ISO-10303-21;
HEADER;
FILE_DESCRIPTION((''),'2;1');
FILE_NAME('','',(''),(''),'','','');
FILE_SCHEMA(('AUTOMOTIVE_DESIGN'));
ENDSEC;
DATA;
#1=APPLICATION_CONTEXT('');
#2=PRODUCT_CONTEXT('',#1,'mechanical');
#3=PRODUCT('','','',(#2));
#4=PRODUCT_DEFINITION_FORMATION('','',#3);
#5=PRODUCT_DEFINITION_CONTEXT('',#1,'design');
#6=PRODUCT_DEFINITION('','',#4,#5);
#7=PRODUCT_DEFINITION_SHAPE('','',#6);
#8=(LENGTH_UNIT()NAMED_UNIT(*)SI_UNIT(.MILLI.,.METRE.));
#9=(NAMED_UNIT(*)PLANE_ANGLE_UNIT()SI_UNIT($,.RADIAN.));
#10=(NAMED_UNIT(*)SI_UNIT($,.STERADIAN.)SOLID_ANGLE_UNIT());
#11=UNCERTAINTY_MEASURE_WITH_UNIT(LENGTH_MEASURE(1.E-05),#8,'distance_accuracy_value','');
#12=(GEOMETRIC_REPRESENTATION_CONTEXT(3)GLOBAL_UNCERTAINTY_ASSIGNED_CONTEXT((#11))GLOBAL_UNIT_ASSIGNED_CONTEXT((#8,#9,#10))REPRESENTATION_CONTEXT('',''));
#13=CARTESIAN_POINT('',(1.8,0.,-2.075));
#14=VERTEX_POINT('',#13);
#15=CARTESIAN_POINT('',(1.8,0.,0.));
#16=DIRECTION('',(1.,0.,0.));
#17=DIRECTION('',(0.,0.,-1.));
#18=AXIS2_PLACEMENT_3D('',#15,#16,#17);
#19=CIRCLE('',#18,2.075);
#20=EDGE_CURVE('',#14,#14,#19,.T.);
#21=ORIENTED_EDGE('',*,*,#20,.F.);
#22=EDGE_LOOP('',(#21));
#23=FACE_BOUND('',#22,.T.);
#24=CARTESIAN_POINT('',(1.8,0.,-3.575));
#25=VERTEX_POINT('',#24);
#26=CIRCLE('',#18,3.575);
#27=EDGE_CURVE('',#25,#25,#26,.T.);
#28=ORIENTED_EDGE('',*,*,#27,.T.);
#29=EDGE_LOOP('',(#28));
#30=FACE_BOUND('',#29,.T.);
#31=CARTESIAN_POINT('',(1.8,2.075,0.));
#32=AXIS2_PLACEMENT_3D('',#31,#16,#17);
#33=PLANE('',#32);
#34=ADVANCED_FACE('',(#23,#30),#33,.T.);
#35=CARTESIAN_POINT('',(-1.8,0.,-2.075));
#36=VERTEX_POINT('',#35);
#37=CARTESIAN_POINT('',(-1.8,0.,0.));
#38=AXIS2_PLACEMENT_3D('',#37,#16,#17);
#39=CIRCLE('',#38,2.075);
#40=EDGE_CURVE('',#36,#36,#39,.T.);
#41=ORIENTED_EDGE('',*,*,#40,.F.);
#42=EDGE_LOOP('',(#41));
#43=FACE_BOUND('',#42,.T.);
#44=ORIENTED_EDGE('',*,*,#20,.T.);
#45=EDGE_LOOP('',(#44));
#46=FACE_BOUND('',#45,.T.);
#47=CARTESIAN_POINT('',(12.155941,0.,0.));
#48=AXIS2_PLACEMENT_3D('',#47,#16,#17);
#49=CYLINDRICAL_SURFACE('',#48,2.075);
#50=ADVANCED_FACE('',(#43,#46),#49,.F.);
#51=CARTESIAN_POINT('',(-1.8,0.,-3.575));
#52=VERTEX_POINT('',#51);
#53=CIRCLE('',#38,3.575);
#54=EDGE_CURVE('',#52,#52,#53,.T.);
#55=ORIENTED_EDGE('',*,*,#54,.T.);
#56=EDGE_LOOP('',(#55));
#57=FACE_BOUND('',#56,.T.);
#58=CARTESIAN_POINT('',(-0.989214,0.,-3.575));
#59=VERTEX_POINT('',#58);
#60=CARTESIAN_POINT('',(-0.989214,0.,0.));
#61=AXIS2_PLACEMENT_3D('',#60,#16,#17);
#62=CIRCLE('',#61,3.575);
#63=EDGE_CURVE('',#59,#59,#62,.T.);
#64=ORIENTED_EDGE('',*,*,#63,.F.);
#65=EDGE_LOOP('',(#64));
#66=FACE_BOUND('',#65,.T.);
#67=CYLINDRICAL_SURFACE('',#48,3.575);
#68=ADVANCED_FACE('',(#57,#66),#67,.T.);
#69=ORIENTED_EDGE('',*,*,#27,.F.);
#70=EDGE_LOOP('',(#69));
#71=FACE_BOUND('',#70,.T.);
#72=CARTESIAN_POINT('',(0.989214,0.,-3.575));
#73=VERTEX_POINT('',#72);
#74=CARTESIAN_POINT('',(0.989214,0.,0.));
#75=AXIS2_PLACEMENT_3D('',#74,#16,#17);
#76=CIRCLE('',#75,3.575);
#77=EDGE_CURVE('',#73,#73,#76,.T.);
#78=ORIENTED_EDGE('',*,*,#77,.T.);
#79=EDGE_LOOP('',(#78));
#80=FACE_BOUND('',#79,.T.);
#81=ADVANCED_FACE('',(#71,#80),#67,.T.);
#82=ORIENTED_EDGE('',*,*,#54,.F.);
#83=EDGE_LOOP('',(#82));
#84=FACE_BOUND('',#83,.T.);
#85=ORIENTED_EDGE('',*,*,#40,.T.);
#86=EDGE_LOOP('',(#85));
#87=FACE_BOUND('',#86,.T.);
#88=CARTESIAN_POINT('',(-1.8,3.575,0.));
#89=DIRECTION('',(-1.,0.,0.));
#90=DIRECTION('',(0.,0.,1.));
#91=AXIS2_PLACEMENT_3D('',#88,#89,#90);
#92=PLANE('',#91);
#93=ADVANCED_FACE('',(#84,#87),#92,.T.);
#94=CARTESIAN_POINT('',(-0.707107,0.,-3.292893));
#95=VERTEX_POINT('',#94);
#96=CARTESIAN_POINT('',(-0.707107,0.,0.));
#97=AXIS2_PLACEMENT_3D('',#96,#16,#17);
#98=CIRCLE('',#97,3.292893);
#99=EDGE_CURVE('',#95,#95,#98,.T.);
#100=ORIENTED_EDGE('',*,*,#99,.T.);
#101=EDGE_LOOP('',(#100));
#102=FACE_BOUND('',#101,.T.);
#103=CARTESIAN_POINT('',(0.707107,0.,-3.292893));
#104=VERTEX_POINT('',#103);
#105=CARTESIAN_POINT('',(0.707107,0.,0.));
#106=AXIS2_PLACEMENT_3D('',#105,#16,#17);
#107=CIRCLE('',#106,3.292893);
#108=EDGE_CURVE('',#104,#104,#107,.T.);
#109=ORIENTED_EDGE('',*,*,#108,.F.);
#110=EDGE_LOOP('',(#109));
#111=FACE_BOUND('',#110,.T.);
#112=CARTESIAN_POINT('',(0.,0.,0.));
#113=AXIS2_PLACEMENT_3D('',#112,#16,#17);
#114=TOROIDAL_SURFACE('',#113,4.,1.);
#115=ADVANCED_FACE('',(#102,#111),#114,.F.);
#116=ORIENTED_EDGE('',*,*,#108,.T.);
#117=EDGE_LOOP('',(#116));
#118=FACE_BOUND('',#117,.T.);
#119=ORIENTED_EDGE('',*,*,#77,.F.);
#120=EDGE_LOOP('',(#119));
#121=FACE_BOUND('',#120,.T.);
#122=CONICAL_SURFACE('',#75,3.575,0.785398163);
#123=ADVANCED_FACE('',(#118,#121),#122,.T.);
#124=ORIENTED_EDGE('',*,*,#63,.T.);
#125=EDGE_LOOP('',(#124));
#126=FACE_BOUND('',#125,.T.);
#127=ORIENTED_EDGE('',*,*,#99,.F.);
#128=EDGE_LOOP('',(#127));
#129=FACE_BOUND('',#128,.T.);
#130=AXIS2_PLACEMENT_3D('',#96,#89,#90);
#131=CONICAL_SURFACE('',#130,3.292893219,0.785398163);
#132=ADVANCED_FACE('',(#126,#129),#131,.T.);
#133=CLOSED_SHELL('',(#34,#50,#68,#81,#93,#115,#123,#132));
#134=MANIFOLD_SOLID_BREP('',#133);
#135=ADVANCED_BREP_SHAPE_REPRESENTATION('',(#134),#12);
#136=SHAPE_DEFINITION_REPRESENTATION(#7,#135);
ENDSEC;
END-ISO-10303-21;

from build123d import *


with BuildPart() as part:
    # Skizze1 → Rotation1 (revolve)
    with BuildSketch(Plane.XY):
        with BuildLine():
            Line((-1.8, 2.075), (1.8, 2.075))
            Line((1.8, 2.075), (1.8, 3.575))
            Line((1.8, 3.575), (0.989213562, 3.575))
            Line((0.989213562, 3.575), (0.707106781, 3.292893219))
            ThreePointArc((0.707106781, 3.292893219), (0, 3), (-0.707106781, 3.292893219))
            Line((-0.707106781, 3.292893219), (-0.989213562, 3.575))
            Line((-0.989213562, 3.575), (-1.8, 3.575))
            Line((-1.8, 3.575), (-1.8, 2.075))
        make_face()
    revolve(axis=Axis((12.155941494, 0, 0), (-1, 0, 0)))


solid = part.part
